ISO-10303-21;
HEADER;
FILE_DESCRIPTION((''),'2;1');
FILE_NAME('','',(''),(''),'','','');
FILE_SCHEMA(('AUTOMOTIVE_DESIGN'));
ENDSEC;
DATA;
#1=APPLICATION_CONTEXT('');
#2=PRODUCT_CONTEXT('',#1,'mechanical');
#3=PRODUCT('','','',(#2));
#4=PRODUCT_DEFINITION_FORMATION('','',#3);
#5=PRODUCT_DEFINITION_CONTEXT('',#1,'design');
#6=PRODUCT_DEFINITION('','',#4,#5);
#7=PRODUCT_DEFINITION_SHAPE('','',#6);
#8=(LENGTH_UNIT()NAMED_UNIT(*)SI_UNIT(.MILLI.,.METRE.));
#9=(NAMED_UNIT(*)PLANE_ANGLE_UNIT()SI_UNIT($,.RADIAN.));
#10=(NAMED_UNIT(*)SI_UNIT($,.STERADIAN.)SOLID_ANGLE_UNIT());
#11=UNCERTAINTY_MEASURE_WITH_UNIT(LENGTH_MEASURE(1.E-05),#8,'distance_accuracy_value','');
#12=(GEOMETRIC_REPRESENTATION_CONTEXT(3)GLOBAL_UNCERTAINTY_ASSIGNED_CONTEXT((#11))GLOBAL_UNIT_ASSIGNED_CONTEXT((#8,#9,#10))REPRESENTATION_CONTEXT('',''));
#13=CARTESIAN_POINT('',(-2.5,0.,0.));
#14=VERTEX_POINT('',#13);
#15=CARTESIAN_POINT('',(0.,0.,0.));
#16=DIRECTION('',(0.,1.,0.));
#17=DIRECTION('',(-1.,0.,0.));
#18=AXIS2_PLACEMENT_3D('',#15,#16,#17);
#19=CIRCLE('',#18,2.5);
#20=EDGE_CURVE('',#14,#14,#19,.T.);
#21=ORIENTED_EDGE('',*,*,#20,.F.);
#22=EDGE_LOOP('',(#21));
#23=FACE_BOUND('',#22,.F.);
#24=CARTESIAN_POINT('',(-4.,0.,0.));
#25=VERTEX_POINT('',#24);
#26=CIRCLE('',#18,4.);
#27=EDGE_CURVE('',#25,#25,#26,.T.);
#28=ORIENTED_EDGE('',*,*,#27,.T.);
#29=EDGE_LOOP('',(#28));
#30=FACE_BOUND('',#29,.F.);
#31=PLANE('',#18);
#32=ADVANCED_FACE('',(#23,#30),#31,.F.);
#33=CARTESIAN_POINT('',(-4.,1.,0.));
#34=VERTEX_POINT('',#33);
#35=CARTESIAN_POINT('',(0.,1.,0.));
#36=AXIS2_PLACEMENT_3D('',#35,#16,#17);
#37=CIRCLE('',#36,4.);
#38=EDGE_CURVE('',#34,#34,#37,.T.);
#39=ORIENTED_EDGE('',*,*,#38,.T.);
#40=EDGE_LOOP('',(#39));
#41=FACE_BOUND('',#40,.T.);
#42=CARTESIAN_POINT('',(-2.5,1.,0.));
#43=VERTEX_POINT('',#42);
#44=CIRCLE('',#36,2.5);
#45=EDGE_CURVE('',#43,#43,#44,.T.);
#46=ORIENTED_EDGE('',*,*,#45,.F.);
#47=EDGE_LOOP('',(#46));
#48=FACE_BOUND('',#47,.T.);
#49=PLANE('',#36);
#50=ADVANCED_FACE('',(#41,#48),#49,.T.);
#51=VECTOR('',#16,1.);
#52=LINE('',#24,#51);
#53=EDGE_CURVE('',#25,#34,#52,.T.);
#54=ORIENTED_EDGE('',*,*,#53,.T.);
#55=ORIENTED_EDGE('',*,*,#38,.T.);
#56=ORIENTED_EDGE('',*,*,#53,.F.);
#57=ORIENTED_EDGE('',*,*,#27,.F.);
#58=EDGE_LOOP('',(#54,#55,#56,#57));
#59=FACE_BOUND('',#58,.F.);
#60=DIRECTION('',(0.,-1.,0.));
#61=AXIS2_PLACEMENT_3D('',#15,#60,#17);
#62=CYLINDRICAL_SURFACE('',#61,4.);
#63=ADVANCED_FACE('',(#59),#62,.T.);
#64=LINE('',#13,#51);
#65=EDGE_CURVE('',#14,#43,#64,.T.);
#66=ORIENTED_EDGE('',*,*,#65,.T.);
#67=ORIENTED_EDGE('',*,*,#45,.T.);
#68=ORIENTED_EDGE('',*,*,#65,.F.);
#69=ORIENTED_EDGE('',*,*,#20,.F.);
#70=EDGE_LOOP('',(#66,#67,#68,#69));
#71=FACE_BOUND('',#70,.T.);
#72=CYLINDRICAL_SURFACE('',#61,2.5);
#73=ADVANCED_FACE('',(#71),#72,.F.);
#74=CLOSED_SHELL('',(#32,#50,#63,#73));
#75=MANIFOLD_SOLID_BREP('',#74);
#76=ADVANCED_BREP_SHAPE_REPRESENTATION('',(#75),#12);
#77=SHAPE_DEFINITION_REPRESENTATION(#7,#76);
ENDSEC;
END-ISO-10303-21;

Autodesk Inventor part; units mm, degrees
ref_plane "YZ Plane" through (0, 0, 0) normal (1, 0, 0) x (0, 1, 0)
ref_plane "XZ Plane" through (0, 0, 0) normal (0, 1, 0) x (-1, 0, 0)
ref_plane "XY Plane" through (0, 0, 0) normal (0, 0, 1) x (1, 0, 0)
sketch "Sketch1" plane through (0, 0, 0) normal (0, 1, 0) x (-1, 0, 0)
  circle A0 centre (0, 0) radius 4
  circle A1 centre (0, 0) radius 2.5
  dimension "d0" = 8
  dimension "d1" = 5
extrude "Extrusion1" add sketch "Sketch1" along normal blind 1
properties part number "Precision Shim 8 x 5 x 1" material "Aluminum 6061"
